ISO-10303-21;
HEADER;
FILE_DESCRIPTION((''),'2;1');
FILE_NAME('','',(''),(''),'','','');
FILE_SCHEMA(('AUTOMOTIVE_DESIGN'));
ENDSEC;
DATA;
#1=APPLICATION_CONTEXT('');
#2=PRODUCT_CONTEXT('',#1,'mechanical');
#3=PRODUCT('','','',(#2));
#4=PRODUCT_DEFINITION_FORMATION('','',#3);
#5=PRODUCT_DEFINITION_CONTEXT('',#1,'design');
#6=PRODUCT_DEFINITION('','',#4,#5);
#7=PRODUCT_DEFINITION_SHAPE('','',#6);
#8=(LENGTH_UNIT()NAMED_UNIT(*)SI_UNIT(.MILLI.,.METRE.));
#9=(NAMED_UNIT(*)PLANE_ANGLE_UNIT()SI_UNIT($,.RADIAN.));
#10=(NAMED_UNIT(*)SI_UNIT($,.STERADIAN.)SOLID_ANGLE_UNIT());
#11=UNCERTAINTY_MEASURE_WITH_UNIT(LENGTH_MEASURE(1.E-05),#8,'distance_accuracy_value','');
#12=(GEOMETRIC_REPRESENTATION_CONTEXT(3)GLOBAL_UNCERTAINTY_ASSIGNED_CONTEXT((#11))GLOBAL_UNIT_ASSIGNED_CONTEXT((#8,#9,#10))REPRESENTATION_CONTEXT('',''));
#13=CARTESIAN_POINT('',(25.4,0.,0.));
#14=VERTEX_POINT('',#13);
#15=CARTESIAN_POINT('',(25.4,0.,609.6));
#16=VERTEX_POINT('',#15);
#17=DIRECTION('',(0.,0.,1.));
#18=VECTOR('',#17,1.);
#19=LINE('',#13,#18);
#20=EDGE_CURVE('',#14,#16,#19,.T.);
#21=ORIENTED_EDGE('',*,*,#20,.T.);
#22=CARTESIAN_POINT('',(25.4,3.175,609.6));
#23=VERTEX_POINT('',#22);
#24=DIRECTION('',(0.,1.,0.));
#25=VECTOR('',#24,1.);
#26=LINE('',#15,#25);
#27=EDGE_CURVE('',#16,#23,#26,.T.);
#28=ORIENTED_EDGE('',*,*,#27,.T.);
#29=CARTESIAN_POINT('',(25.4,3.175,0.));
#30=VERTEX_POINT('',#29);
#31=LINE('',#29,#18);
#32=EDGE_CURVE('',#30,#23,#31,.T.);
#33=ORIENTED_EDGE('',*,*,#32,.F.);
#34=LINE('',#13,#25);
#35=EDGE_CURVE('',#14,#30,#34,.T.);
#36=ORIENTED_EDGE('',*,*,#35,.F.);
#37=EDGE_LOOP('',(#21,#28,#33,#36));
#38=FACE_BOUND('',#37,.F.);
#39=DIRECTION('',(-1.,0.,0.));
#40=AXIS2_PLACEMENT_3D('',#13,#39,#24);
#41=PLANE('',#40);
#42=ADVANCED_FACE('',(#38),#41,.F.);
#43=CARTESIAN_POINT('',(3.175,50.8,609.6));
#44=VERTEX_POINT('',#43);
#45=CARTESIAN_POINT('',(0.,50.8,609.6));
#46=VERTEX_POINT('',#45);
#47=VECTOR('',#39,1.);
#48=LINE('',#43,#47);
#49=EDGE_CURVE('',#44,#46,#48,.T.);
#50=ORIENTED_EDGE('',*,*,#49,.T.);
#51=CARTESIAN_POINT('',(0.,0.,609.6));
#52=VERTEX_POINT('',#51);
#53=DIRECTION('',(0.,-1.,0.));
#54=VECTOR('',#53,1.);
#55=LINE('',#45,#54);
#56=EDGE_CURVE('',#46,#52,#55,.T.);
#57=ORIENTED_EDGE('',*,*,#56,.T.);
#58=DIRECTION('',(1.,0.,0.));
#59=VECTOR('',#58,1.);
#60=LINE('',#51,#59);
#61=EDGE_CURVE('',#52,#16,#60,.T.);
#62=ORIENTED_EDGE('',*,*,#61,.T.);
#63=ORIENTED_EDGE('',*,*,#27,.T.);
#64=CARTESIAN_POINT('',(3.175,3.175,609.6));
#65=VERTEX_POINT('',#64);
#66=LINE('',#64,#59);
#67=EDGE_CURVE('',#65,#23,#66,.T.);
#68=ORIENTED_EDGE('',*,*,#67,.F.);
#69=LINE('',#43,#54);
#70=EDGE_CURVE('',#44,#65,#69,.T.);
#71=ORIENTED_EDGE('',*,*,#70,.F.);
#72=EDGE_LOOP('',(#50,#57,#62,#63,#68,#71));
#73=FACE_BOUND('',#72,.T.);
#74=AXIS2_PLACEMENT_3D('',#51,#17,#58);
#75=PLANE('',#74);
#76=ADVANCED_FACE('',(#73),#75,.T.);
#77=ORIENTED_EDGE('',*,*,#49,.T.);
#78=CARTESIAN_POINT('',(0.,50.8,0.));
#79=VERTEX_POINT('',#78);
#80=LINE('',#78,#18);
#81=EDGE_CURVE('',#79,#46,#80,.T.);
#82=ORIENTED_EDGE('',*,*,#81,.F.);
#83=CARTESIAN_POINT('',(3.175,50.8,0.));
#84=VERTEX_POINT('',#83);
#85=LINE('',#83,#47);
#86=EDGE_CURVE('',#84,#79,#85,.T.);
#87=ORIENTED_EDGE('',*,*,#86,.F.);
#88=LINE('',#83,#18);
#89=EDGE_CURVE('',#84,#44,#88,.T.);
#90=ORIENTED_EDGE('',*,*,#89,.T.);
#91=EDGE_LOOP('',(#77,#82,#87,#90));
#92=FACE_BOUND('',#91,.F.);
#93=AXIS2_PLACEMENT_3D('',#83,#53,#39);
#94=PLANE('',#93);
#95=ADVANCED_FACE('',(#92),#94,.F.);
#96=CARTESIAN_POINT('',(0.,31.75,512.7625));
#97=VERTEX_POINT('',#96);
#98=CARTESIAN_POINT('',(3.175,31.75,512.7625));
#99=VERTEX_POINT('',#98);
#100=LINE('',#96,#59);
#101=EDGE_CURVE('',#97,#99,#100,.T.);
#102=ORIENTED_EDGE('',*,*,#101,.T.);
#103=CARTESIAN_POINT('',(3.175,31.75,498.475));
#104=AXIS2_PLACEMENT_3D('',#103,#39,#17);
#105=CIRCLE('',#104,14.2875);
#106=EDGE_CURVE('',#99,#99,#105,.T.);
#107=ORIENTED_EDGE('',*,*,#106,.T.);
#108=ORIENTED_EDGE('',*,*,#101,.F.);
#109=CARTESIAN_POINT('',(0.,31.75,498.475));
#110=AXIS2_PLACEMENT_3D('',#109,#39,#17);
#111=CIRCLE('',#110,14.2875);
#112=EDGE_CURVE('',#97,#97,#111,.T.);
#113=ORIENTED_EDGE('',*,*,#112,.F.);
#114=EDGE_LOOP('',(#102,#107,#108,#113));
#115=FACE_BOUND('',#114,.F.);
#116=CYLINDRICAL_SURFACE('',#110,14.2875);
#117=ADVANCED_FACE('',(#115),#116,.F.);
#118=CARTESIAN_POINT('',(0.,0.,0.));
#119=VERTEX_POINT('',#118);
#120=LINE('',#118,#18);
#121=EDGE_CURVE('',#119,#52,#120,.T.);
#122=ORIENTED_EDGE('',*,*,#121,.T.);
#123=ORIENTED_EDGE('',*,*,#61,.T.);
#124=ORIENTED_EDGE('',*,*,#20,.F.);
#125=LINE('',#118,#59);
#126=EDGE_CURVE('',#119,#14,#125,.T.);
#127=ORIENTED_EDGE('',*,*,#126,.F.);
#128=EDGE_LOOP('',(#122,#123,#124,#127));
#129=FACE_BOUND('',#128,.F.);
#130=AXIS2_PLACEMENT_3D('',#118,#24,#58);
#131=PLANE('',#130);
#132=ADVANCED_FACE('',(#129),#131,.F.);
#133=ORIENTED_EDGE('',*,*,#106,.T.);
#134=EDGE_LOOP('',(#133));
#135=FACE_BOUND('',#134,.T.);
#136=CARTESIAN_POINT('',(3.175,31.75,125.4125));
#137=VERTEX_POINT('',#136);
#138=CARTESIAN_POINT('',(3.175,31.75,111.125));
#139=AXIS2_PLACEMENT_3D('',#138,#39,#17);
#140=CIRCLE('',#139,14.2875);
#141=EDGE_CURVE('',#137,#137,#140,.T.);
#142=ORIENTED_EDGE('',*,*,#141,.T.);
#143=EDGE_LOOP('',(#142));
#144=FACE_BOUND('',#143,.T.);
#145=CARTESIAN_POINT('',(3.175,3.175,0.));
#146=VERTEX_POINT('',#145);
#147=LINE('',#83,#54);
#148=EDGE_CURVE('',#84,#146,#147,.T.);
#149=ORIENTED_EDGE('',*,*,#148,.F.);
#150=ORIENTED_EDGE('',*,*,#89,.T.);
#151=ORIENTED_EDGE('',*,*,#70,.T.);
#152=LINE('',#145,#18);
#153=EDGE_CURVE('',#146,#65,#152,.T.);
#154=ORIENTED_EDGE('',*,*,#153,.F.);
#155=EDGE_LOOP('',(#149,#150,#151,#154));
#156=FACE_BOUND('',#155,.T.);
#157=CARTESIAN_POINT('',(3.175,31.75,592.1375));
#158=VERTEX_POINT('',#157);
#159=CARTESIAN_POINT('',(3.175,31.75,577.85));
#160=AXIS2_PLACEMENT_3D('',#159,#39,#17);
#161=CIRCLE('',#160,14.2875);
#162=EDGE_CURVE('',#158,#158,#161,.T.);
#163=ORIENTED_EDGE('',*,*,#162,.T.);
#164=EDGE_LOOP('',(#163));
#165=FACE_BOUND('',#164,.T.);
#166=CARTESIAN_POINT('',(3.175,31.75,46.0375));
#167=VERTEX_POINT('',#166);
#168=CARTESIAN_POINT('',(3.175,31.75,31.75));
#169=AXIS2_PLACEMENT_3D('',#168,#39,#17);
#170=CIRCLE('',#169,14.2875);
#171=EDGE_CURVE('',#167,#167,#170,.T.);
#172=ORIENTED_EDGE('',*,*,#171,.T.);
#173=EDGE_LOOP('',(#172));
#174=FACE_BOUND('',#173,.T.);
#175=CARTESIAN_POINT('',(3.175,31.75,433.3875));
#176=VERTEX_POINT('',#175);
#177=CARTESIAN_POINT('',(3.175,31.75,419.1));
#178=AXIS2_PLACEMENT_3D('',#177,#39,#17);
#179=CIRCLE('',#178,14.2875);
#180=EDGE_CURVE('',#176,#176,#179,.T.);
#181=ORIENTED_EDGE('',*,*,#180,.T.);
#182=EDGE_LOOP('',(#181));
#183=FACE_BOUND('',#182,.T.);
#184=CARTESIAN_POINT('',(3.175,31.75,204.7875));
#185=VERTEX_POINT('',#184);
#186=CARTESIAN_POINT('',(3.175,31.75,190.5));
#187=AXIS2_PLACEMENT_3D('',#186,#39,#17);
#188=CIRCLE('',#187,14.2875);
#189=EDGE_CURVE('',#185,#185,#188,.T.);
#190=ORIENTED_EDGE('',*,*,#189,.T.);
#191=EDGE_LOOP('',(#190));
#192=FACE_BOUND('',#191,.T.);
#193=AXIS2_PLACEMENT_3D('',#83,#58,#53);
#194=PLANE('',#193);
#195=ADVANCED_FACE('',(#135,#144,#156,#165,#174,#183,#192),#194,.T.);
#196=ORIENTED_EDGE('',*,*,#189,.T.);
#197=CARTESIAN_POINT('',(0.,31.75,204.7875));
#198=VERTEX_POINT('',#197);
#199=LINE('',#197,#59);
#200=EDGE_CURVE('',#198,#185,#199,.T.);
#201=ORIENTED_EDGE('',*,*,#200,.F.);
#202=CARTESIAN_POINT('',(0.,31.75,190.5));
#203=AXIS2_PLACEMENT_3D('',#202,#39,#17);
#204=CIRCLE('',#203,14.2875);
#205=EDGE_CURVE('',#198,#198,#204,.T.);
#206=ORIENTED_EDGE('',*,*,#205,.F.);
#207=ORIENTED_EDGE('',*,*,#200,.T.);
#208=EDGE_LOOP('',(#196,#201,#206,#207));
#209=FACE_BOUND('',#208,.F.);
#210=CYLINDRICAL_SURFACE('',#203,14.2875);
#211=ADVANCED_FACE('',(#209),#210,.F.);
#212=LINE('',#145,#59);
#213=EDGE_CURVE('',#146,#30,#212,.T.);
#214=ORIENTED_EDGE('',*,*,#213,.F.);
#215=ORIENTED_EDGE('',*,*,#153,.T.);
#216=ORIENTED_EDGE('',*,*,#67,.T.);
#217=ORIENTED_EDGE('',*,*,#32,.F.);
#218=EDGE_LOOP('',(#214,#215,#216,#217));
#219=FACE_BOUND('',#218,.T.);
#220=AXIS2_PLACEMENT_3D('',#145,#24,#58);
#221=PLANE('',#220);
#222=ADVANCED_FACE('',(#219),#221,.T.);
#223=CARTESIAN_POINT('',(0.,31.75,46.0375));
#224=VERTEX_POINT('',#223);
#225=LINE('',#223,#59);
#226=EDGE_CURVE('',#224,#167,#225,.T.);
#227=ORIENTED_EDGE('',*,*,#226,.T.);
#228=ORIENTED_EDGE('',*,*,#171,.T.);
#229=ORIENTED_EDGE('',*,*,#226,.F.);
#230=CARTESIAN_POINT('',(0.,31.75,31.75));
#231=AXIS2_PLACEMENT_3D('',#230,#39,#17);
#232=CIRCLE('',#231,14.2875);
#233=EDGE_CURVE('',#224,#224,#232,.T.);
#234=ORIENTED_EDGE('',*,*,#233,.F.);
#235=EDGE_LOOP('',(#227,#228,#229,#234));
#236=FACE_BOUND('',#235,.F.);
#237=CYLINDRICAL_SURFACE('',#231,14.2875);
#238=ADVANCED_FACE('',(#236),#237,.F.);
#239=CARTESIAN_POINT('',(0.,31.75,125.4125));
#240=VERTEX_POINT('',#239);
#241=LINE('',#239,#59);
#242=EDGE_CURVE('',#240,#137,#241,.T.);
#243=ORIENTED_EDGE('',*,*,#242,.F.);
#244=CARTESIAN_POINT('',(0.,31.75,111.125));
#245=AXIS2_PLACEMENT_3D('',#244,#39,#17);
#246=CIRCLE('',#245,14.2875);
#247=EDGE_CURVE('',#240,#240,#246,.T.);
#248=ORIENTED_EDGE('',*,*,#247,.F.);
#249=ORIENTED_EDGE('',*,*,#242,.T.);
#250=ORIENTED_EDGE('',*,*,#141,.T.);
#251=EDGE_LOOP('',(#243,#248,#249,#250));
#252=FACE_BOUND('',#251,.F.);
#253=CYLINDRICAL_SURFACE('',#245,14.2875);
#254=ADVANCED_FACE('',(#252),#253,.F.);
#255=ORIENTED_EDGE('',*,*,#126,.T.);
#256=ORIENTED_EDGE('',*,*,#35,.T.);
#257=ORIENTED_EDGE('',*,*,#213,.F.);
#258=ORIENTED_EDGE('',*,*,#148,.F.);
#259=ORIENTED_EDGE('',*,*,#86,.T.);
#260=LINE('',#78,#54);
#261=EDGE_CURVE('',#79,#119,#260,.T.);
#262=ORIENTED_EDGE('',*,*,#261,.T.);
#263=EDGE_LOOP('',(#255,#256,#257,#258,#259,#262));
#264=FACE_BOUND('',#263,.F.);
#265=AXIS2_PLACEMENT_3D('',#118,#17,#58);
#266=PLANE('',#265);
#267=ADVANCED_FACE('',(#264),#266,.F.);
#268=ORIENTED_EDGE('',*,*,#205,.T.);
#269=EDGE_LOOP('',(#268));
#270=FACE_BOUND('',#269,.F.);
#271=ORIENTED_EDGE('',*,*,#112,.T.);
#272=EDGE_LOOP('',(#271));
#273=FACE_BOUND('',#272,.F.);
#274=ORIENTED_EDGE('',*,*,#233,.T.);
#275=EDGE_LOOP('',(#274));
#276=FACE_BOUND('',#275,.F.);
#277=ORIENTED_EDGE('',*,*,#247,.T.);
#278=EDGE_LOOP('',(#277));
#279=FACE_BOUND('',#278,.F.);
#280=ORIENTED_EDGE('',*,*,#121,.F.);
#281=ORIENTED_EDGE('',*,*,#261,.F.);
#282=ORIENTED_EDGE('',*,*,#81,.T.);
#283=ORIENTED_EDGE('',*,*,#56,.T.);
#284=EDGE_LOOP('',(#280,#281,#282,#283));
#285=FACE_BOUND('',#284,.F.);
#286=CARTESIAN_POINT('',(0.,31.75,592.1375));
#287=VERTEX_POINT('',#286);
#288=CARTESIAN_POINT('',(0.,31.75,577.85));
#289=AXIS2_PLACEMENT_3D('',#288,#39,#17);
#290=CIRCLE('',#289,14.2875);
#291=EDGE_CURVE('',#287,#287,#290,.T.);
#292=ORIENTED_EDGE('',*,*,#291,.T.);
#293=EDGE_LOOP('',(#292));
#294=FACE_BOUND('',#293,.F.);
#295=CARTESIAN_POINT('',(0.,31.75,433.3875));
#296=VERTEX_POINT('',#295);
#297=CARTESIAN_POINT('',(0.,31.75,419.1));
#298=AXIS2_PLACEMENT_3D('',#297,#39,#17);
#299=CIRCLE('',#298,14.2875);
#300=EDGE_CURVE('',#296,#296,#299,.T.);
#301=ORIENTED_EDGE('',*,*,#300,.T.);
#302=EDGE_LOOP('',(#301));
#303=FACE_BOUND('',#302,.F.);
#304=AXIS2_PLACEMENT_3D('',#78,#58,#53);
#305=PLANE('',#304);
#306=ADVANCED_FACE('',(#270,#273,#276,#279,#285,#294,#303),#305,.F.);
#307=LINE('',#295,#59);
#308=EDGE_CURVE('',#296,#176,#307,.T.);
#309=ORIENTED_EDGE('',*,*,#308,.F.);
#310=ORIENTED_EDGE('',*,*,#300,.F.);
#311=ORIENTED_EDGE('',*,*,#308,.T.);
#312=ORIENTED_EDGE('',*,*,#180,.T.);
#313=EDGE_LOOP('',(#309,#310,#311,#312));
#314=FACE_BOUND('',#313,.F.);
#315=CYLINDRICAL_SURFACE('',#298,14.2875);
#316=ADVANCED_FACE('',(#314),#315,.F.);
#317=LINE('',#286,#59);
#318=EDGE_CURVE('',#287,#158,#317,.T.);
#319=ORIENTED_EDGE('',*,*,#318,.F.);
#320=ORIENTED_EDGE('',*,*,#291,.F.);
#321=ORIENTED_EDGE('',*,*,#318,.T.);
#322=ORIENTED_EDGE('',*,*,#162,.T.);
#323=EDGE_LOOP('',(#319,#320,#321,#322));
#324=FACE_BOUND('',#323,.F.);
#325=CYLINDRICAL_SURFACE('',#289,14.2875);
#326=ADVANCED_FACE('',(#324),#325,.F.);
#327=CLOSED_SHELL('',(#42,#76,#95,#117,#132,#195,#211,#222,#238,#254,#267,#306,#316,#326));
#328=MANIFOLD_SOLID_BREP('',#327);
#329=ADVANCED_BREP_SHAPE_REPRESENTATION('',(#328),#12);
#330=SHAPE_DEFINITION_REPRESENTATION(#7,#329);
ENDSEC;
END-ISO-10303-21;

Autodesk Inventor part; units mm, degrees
ref_plane "YZ Plane" through (0, 0, 0) normal (1, 0, 0) x (0, 1, 0)
ref_plane "XZ Plane" through (0, 0, 0) normal (0, 1, 0) x (-1, 0, 0)
ref_plane "XY Plane" through (0, 0, 0) normal (0, 0, 1) x (1, 0, 0)
sketch "Sketch1" plane through (0, 0, 0) normal (0, 0, 1) x (1, 0, 0)
  line L0 (0, 0) -> (25.4, 0)
  line L1 (25.4, 0) -> (25.4, 3.175)
  line L2 (3.175, 50.8) -> (0, 50.8)
  line L3 (0, 50.8) -> (0, 0)
  line L4 (3.175, 50.8) -> (3.175, 3.175)
  line L5 (3.175, 3.175) -> (25.4, 3.175)
  dimension "d0" = 50.8
  dimension "d1" = 25.4
  dimension "d2" = 3.175
  dimension "d3" = 3.175
extrude "Extrusion1" add sketch "Sketch1" along normal blind 609.6
sketch "Sketch2" plane through (0, 0, 0) normal (-1, 0, 0) x (0, 0, 1)
  line L0 (609.6, 0) -> (609.6, 50.8) projected
  line L1 (0, 50.8) -> (609.6, 50.8) projected
  line L2 (0, 50.8) -> (0, 0) projected
  circle A0 centre (577.85, 31.75) radius 14.2875
  circle A1 centre (419.1, 31.75) radius 14.2875
  circle A2 centre (190.5, 31.75) radius 14.2875
  circle A3 centre (31.75, 31.75) radius 14.2875
  circle A4 centre (498.475, 31.75) radius 14.2875
  circle A5 centre (111.125, 31.75) radius 14.2875
  dimension "d6" = 28.575
  dimension "d7" = 31.75
  dimension "d8" = 19.05
  dimension "d9" = 28.575
  dimension "d10" = 228.6
  dimension "d11" = 31.75
  dimension "d15" = 158.75
  dimension "d16" = 79.375
  dimension "d17" = 79.375
  dimension "d18" = 609.6
extrude "Extrusion2" cut sketch "Sketch2" against normal through all
equation "\"d2\" = d3"
equation "\"d11\" = d7"
equation "\"d15\" = 0.5 * d18 - 0.5 * d10 - d7"
equation "\"d16\" = 0.5 * d15"
equation "\"d17\" = d16"
properties part number "maipulator L frame front"
